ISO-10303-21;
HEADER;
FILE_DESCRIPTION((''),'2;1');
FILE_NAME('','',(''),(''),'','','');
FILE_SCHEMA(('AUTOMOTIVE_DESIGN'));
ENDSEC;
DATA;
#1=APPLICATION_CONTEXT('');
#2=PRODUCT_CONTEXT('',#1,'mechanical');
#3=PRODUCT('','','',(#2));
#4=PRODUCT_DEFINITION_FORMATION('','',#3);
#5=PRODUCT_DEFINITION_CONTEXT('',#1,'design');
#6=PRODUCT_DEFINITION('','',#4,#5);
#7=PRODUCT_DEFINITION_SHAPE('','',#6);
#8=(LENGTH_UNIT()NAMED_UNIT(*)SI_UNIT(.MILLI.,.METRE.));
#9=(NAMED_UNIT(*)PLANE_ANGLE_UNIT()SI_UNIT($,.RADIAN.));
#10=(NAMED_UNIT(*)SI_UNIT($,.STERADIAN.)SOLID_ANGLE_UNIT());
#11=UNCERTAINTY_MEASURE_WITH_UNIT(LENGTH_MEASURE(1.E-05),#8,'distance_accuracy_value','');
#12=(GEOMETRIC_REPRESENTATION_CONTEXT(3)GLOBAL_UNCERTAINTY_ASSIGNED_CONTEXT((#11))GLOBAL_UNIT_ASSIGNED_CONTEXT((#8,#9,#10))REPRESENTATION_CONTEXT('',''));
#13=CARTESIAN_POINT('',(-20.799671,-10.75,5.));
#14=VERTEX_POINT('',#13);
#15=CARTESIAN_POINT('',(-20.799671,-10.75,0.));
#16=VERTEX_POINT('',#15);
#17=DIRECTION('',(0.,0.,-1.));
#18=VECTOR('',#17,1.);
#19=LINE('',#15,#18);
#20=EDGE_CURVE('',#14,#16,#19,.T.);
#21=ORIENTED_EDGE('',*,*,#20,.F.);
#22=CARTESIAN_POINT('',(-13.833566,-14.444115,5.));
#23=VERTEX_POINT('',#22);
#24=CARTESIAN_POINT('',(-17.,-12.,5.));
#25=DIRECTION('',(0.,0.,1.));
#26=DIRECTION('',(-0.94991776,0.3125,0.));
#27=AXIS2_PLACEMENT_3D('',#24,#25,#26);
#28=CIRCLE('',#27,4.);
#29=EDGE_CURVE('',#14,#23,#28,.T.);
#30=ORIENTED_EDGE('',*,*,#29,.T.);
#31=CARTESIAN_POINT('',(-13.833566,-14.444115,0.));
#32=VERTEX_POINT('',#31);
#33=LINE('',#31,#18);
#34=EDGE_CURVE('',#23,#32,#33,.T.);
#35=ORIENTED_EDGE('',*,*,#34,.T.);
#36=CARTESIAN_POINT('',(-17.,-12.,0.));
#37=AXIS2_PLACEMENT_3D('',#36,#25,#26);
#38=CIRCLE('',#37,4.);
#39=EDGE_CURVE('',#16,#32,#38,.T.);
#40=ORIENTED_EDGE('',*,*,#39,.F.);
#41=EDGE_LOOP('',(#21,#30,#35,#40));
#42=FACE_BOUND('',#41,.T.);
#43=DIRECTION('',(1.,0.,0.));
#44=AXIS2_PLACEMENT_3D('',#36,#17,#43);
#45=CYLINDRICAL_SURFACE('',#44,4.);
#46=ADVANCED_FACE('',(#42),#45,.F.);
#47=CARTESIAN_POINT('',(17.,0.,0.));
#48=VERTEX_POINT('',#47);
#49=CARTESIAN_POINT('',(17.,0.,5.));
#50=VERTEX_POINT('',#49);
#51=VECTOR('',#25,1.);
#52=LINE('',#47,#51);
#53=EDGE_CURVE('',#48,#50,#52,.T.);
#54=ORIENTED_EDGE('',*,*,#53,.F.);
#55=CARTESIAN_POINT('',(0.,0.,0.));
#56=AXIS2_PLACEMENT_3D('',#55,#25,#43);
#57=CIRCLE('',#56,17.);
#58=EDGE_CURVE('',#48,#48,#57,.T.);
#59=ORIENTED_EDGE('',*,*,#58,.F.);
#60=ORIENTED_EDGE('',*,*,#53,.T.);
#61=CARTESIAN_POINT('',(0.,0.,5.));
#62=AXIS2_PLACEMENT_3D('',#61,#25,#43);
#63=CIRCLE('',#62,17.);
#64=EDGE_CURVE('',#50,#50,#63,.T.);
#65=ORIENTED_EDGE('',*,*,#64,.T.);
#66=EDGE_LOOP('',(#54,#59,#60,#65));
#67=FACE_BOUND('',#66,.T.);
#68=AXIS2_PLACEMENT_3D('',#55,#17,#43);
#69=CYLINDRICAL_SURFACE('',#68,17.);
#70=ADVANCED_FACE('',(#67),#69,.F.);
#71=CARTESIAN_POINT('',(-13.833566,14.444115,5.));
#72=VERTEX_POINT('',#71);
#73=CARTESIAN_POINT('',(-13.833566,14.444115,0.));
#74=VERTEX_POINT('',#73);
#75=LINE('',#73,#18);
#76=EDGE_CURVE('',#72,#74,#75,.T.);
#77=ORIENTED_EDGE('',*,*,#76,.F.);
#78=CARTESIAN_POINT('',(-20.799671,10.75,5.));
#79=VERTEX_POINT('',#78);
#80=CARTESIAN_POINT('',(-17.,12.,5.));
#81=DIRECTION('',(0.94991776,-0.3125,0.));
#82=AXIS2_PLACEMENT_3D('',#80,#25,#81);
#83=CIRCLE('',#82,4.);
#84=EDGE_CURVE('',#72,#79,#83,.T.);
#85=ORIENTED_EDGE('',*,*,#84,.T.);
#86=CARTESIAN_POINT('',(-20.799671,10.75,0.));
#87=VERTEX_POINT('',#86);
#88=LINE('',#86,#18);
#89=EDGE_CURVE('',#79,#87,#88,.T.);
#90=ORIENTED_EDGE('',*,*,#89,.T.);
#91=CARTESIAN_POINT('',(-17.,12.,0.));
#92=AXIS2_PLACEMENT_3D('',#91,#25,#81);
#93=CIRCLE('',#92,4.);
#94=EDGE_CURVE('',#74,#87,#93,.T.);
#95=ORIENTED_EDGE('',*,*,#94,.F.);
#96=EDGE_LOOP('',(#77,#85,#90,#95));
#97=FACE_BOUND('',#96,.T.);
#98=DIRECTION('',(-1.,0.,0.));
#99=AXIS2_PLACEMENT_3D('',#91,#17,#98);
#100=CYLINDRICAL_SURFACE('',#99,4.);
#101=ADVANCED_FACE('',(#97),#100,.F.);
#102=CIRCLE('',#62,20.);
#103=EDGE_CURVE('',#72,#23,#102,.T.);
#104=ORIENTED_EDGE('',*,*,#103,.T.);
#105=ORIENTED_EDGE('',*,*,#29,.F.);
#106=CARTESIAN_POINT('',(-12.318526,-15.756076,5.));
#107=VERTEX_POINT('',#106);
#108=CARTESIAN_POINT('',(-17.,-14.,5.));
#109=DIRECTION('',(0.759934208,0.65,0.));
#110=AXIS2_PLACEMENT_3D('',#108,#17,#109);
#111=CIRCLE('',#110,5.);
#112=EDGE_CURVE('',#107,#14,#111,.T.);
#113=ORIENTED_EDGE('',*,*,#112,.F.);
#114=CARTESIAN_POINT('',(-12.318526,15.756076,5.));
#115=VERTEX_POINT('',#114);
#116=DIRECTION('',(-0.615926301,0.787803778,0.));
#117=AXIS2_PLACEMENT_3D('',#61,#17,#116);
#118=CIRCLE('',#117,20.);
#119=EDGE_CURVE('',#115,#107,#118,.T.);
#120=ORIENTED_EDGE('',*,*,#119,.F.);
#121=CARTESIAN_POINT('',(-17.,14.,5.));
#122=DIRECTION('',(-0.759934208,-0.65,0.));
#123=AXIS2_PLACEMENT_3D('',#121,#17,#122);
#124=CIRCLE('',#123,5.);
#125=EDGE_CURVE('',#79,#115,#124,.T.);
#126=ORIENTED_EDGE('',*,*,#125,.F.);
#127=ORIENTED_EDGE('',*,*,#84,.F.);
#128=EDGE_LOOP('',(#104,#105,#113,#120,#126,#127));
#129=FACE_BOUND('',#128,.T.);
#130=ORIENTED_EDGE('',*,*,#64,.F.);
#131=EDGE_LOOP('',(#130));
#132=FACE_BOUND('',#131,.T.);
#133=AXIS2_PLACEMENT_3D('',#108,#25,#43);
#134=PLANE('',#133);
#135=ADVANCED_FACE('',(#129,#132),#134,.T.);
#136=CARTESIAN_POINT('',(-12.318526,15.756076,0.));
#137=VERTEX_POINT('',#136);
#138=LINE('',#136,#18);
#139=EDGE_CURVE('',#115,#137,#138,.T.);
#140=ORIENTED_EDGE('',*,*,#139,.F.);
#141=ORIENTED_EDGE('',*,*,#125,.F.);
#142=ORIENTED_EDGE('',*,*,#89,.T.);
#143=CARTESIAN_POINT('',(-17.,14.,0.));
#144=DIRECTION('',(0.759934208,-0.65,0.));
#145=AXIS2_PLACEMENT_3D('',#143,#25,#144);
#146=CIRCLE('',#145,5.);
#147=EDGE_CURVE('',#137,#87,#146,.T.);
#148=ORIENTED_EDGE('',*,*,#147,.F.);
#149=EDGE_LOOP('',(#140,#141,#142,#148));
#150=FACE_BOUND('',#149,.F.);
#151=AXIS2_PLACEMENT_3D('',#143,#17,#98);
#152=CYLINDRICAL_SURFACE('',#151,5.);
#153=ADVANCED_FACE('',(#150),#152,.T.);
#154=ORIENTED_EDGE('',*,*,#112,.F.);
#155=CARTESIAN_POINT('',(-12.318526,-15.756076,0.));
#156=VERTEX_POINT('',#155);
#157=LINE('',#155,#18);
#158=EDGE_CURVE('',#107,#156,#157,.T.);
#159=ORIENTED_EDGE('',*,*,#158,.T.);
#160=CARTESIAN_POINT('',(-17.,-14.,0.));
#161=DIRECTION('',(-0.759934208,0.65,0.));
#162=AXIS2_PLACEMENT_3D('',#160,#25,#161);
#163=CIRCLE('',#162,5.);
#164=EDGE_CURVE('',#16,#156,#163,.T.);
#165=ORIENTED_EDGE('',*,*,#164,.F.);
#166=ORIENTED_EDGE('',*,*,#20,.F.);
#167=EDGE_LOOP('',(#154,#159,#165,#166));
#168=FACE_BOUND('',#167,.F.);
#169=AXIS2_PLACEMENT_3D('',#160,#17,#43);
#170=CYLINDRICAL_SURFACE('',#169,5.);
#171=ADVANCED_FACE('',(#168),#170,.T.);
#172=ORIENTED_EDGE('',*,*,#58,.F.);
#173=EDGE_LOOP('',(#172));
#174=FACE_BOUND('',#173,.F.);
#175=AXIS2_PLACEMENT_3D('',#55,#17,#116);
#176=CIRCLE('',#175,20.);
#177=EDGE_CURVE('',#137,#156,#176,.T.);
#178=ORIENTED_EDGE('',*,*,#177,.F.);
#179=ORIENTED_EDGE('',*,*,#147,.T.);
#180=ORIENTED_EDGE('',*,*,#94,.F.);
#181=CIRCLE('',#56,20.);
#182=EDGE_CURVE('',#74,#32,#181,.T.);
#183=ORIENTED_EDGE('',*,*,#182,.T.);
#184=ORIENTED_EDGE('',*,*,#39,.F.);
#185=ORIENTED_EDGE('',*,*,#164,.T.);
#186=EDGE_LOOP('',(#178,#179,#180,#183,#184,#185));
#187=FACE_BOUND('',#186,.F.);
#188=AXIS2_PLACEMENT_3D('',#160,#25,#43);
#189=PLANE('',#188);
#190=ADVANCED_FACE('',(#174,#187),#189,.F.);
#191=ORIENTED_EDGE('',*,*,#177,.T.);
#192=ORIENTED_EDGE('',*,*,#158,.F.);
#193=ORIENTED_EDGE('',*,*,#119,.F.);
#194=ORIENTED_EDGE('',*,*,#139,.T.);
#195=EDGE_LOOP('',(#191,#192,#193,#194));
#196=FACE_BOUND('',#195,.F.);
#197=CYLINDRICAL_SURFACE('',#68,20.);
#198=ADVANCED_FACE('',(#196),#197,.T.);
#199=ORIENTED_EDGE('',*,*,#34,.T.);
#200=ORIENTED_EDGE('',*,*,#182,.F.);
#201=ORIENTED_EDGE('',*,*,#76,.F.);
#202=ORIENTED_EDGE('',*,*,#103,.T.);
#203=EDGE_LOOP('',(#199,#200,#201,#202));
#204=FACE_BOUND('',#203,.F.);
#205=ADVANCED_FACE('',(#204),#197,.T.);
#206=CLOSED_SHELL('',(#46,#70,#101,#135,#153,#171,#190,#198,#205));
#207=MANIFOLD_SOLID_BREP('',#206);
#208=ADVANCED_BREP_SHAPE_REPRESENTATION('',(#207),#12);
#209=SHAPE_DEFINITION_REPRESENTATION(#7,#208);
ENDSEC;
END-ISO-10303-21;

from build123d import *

# Parameters (mm, degrees)
CYLINDER003_R          = 4
CYLINDER003_DEPTH      = 5
CYLINDER002_R          = 5
CYLINDER002_DEPTH      = 5
CYLINDER001_R          = 17
CYLINDER001_DEPTH      = 5
CYLINDER_R             = 20
CYLINDER_DEPTH         = 5
CYLINDER005_R          = 4
CYLINDER005_DEPTH      = 5
CYLINDER004_R          = 5
CYLINDER004_DEPTH      = 5
CUT002_PLACEMENT_ANGLE = 180


with BuildPart() as cilindro003:
    # Cylinder003 → Cylinder003 (new body)
    with BuildSketch(Plane(origin=(0, 2, 0), x_dir=(1, 0, 0), z_dir=(0, 0, 1))):
        Circle(CYLINDER003_R)
    extrude(amount=CYLINDER003_DEPTH)


with BuildPart() as cut001:
    # Cylinder002 → Cylinder002 (new body)
    with BuildSketch(Plane.XY):
        Circle(CYLINDER002_R)
    extrude(amount=CYLINDER002_DEPTH)

    # Cut001: cut Cilindro003
    add(cilindro003.part, mode=Mode.SUBTRACT)


with BuildPart() as cut001_1:
    # Cut001 placement: moved
    add(cut001.part.moved(Location((-17, -14, 0))))


with BuildPart() as cilindro001:
    # Cylinder001 → Cylinder001 (new body)
    with BuildSketch(Plane.XY):
        Circle(CYLINDER001_R)
    extrude(amount=CYLINDER001_DEPTH)


with BuildPart() as fusion:
    # Cylinder → Cylinder (new body)
    with BuildSketch(Plane.XY):
        Circle(CYLINDER_R)
    extrude(amount=CYLINDER_DEPTH)

    # Cut: cut Cilindro001
    add(cilindro001.part, mode=Mode.SUBTRACT)

    # Fusion: union Cut001
    add(cut001_1.part)


with BuildPart() as cilindro005:
    # Cylinder005 → Cylinder005 (new body)
    with BuildSketch(Plane(origin=(0, 2, 0), x_dir=(1, 0, 0), z_dir=(0, 0, 1))):
        Circle(CYLINDER005_R)
    extrude(amount=CYLINDER005_DEPTH)


with BuildPart() as fusion001:
    # Cylinder004 → Cylinder004 (new body)
    with BuildSketch(Plane.XY):
        Circle(CYLINDER004_R)
    extrude(amount=CYLINDER004_DEPTH)

    # Cut002: cut Cilindro005
    add(cilindro005.part, mode=Mode.SUBTRACT)


with BuildPart() as fusion001_1:
    # Cut002 placement: moved
    add(fusion001.part.moved(Location((-17, 14, 0))).rotate(Axis((-17, 14, 0), (0, 0, -1)), CUT002_PLACEMENT_ANGLE))

    # Fusion001: union Fusion
    add(fusion.part)


solid = fusion001_1.part
